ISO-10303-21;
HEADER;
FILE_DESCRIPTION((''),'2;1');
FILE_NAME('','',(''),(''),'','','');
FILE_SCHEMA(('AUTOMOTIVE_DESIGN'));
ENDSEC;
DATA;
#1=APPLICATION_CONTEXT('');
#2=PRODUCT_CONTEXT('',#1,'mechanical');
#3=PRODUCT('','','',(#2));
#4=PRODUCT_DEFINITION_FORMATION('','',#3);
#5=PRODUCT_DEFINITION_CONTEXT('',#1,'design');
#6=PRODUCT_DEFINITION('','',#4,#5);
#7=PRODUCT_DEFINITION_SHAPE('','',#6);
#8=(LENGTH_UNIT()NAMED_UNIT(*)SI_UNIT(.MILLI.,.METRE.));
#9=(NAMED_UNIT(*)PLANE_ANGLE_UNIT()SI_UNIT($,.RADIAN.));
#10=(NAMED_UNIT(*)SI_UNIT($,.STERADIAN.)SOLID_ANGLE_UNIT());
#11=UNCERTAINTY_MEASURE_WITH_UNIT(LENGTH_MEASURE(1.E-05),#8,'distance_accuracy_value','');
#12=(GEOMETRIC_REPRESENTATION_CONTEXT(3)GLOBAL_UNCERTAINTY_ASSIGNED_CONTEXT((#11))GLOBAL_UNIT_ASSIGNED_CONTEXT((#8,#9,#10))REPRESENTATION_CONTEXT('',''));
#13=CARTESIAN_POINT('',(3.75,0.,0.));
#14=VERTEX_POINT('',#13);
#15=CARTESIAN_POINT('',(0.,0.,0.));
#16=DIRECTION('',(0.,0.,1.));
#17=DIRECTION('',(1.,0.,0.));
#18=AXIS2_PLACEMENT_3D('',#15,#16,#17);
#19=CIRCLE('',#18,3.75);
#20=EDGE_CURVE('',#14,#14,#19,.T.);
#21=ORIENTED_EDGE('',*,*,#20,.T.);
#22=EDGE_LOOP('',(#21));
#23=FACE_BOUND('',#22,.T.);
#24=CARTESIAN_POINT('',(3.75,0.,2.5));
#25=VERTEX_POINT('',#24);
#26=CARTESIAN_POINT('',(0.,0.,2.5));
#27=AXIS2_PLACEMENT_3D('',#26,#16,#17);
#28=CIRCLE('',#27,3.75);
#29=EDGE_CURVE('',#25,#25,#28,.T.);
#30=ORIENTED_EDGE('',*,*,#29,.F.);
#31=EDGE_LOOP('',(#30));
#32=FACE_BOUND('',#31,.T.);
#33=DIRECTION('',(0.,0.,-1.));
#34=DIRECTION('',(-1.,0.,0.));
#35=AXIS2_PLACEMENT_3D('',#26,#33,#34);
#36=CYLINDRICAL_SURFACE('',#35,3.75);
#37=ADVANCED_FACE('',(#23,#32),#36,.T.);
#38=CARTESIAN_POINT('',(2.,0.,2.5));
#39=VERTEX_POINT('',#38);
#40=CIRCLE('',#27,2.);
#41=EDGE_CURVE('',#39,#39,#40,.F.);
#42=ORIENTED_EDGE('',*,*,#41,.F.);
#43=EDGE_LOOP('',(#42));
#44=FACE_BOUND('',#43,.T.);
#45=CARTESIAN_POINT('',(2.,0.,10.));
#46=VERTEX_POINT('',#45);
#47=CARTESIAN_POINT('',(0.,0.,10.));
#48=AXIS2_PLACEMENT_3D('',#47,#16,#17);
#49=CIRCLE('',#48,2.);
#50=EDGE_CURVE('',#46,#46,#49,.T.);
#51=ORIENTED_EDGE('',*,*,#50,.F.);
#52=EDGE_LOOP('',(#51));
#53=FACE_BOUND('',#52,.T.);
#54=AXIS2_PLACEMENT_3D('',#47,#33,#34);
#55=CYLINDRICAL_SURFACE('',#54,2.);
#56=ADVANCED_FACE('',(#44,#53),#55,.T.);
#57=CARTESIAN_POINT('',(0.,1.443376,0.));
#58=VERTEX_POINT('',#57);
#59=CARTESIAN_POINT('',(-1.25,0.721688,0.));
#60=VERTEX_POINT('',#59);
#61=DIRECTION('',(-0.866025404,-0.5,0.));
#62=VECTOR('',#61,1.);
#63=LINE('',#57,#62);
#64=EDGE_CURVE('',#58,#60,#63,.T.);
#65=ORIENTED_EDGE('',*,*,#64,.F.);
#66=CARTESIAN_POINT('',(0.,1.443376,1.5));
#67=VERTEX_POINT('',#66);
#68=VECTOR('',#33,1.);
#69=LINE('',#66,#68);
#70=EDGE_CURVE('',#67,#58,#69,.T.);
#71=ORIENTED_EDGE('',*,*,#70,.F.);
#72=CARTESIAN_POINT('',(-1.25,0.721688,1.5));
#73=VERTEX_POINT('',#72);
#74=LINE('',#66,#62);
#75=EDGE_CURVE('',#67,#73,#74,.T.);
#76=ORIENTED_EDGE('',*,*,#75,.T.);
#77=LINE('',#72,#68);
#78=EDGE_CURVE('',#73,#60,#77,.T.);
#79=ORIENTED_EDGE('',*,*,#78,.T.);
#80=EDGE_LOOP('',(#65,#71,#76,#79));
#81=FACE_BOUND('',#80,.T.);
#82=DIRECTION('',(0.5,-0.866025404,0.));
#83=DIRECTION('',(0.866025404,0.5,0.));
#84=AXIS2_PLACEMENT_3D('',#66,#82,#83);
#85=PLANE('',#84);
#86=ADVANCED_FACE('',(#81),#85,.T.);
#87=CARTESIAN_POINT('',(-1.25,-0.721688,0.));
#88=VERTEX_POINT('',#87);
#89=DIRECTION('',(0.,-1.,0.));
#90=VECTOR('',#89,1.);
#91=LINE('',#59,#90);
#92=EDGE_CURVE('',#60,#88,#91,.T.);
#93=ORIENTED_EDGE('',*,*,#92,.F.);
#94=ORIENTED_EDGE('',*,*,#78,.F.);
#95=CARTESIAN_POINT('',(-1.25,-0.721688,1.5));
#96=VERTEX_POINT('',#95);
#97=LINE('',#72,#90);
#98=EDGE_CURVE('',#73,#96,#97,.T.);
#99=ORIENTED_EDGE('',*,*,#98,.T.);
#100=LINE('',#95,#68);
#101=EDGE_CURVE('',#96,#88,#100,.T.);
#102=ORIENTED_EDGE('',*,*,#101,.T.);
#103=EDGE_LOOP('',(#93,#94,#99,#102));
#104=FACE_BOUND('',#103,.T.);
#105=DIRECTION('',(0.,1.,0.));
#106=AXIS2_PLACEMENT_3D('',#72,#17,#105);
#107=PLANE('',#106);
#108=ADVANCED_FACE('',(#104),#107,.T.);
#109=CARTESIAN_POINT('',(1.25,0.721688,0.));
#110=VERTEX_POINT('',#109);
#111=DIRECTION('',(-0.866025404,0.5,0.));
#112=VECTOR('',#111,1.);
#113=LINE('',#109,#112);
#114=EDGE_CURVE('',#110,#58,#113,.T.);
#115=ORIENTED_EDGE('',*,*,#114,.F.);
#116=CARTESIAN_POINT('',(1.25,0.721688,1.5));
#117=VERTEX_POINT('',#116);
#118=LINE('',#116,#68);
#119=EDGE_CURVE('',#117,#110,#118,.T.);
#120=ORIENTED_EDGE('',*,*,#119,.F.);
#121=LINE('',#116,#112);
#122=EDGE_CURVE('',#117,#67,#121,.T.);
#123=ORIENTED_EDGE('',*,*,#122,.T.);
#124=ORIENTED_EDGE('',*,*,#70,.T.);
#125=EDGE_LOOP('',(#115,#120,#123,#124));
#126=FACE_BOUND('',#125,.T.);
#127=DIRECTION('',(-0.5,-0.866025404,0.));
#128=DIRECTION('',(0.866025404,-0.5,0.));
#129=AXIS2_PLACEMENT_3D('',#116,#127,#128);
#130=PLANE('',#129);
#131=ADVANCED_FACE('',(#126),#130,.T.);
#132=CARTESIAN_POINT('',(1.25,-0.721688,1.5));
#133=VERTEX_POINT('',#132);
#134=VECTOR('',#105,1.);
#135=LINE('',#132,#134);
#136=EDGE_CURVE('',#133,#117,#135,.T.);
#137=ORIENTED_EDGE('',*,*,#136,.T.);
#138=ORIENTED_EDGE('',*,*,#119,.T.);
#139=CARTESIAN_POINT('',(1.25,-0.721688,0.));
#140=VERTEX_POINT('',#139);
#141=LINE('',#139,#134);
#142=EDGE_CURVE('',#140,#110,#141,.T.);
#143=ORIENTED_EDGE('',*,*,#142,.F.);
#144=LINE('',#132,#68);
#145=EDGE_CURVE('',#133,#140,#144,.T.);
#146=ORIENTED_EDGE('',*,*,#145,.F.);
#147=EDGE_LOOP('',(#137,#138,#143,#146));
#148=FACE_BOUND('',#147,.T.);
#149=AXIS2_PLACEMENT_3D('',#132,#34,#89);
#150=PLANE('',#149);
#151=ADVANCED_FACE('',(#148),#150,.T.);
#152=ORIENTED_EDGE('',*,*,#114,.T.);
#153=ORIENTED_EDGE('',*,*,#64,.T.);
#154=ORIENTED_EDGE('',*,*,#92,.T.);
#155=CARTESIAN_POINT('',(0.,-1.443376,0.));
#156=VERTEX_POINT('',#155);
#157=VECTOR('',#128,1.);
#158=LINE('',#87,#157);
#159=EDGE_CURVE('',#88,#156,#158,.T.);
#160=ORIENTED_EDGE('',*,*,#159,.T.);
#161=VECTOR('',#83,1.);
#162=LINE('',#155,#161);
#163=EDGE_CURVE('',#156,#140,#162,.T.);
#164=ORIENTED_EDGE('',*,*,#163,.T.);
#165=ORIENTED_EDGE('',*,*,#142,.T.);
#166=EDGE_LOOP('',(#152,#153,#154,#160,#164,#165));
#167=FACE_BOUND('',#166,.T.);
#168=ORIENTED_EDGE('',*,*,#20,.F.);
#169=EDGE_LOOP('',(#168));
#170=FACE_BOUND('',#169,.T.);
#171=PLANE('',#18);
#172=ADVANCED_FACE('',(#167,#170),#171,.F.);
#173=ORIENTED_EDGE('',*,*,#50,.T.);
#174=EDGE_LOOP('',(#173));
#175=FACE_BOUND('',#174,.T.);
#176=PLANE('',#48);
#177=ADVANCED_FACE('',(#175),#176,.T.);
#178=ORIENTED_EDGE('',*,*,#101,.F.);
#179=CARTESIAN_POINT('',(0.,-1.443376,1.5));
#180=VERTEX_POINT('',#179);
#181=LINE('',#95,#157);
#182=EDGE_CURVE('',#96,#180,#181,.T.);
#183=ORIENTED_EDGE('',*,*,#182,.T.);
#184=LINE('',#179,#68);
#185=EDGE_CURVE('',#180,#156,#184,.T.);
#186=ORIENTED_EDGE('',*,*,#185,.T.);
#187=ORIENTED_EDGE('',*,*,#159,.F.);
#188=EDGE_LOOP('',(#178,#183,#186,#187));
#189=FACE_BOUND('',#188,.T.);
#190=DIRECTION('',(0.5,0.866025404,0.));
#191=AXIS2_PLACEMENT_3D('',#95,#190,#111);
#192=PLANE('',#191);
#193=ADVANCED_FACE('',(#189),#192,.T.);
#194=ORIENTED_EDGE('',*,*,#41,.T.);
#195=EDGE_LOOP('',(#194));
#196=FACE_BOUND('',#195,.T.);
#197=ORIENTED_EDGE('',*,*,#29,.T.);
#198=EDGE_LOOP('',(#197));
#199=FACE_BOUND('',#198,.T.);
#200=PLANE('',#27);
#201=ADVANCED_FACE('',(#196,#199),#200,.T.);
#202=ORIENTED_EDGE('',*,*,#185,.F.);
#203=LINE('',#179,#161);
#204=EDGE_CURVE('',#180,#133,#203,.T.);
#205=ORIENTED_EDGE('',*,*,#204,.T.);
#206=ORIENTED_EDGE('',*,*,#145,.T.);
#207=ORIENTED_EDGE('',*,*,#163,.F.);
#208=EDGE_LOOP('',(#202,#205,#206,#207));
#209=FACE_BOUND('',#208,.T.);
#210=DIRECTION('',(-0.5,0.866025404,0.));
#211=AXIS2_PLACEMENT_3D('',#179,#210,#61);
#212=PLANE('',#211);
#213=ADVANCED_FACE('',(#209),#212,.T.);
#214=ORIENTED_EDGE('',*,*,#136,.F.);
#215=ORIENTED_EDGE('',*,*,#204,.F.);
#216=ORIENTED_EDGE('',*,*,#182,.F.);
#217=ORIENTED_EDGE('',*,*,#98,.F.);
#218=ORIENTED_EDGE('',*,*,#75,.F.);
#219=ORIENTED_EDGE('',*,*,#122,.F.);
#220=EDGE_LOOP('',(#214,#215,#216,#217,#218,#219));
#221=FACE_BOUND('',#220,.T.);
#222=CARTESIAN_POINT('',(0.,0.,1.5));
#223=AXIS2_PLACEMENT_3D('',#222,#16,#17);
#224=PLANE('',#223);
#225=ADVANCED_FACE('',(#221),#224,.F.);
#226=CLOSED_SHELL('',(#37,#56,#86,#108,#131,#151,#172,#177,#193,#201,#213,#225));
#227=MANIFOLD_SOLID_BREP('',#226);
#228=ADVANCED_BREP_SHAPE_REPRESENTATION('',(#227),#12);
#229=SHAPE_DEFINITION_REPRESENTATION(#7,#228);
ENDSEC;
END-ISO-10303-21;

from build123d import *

# Parameters (mm, degrees)
SK_CABEZA_AVELLANADA_R  = 3.75
CABEZA_AVELLANADA_DEPTH = 2.5
SK_CUERPO_R             = 2
CUERPO_DEPTH            = 10
HEXAGONO_INTERIOR_DEPTH = 1.5


with BuildPart() as part:
    # Sk_Cabeza_avellanada → Cabeza_avellanada (new body)
    with BuildSketch(Plane.XY):
        Circle(SK_CABEZA_AVELLANADA_R)
    extrude(amount=CABEZA_AVELLANADA_DEPTH)

    # Sk_Cuerpo → Cuerpo (add)
    with BuildSketch(Plane.XY):
        Circle(SK_CUERPO_R)
    extrude(amount=CUERPO_DEPTH)

    # Sk_Hexagono_interior → Hexagono_interior (cut)
    with BuildSketch(Plane.XY):
        Polygon((0, -1.443375673), (1.25, -0.721687836), (1.25, 0.721687836), (0, 1.443375673), (-1.25, 0.721687836), (-1.25, -0.721687836), align=None)
    extrude(amount=HEXAGONO_INTERIOR_DEPTH, mode=Mode.SUBTRACT)


solid = part.part
